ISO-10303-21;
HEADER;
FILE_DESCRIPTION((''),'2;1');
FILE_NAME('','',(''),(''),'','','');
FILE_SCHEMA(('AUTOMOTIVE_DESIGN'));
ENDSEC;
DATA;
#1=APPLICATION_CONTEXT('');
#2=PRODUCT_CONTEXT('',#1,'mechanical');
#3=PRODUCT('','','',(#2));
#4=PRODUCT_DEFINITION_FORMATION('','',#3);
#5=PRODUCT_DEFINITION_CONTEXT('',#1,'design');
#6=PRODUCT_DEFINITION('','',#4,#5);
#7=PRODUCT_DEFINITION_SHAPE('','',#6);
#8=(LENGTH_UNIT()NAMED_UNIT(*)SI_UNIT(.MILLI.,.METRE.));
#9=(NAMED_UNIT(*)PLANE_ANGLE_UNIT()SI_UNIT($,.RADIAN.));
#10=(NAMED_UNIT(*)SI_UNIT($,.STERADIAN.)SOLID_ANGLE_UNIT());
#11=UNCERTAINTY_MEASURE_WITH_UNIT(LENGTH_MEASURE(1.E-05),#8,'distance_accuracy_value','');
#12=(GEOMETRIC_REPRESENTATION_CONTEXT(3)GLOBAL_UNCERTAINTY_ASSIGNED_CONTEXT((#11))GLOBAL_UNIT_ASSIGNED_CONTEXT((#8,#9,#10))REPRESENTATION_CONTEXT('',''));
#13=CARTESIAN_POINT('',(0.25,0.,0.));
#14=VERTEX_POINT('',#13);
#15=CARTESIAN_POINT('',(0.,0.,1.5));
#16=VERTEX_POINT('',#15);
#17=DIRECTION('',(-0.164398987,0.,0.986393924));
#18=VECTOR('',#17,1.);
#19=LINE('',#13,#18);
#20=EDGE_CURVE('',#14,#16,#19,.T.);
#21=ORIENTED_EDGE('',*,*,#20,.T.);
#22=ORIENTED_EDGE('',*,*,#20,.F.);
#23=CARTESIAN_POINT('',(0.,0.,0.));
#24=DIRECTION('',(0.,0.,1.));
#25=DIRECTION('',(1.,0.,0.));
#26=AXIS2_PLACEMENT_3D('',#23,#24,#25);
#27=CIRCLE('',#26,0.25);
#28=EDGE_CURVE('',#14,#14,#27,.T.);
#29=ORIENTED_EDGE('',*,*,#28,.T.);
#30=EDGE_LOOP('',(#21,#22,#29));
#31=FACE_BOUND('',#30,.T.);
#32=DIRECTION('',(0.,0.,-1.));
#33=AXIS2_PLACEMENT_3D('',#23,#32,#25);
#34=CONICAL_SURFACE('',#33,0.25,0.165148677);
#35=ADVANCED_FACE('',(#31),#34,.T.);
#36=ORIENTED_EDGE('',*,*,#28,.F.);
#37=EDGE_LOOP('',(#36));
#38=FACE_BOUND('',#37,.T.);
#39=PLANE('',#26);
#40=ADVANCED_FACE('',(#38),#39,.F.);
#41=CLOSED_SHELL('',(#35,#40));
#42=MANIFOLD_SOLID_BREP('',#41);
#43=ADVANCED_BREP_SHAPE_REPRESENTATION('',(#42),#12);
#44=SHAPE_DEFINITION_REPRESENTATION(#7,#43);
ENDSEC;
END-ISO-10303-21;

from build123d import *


with BuildPart() as part:
    # Cone → Cone (revolve)
    with BuildSketch(Plane.XZ):
        Polygon((0, 0), (0.25, 0), (0, 1.5), align=None)
    revolve(axis=Axis((0, 0, 0), (0, 0, 1)))


solid = part.part
